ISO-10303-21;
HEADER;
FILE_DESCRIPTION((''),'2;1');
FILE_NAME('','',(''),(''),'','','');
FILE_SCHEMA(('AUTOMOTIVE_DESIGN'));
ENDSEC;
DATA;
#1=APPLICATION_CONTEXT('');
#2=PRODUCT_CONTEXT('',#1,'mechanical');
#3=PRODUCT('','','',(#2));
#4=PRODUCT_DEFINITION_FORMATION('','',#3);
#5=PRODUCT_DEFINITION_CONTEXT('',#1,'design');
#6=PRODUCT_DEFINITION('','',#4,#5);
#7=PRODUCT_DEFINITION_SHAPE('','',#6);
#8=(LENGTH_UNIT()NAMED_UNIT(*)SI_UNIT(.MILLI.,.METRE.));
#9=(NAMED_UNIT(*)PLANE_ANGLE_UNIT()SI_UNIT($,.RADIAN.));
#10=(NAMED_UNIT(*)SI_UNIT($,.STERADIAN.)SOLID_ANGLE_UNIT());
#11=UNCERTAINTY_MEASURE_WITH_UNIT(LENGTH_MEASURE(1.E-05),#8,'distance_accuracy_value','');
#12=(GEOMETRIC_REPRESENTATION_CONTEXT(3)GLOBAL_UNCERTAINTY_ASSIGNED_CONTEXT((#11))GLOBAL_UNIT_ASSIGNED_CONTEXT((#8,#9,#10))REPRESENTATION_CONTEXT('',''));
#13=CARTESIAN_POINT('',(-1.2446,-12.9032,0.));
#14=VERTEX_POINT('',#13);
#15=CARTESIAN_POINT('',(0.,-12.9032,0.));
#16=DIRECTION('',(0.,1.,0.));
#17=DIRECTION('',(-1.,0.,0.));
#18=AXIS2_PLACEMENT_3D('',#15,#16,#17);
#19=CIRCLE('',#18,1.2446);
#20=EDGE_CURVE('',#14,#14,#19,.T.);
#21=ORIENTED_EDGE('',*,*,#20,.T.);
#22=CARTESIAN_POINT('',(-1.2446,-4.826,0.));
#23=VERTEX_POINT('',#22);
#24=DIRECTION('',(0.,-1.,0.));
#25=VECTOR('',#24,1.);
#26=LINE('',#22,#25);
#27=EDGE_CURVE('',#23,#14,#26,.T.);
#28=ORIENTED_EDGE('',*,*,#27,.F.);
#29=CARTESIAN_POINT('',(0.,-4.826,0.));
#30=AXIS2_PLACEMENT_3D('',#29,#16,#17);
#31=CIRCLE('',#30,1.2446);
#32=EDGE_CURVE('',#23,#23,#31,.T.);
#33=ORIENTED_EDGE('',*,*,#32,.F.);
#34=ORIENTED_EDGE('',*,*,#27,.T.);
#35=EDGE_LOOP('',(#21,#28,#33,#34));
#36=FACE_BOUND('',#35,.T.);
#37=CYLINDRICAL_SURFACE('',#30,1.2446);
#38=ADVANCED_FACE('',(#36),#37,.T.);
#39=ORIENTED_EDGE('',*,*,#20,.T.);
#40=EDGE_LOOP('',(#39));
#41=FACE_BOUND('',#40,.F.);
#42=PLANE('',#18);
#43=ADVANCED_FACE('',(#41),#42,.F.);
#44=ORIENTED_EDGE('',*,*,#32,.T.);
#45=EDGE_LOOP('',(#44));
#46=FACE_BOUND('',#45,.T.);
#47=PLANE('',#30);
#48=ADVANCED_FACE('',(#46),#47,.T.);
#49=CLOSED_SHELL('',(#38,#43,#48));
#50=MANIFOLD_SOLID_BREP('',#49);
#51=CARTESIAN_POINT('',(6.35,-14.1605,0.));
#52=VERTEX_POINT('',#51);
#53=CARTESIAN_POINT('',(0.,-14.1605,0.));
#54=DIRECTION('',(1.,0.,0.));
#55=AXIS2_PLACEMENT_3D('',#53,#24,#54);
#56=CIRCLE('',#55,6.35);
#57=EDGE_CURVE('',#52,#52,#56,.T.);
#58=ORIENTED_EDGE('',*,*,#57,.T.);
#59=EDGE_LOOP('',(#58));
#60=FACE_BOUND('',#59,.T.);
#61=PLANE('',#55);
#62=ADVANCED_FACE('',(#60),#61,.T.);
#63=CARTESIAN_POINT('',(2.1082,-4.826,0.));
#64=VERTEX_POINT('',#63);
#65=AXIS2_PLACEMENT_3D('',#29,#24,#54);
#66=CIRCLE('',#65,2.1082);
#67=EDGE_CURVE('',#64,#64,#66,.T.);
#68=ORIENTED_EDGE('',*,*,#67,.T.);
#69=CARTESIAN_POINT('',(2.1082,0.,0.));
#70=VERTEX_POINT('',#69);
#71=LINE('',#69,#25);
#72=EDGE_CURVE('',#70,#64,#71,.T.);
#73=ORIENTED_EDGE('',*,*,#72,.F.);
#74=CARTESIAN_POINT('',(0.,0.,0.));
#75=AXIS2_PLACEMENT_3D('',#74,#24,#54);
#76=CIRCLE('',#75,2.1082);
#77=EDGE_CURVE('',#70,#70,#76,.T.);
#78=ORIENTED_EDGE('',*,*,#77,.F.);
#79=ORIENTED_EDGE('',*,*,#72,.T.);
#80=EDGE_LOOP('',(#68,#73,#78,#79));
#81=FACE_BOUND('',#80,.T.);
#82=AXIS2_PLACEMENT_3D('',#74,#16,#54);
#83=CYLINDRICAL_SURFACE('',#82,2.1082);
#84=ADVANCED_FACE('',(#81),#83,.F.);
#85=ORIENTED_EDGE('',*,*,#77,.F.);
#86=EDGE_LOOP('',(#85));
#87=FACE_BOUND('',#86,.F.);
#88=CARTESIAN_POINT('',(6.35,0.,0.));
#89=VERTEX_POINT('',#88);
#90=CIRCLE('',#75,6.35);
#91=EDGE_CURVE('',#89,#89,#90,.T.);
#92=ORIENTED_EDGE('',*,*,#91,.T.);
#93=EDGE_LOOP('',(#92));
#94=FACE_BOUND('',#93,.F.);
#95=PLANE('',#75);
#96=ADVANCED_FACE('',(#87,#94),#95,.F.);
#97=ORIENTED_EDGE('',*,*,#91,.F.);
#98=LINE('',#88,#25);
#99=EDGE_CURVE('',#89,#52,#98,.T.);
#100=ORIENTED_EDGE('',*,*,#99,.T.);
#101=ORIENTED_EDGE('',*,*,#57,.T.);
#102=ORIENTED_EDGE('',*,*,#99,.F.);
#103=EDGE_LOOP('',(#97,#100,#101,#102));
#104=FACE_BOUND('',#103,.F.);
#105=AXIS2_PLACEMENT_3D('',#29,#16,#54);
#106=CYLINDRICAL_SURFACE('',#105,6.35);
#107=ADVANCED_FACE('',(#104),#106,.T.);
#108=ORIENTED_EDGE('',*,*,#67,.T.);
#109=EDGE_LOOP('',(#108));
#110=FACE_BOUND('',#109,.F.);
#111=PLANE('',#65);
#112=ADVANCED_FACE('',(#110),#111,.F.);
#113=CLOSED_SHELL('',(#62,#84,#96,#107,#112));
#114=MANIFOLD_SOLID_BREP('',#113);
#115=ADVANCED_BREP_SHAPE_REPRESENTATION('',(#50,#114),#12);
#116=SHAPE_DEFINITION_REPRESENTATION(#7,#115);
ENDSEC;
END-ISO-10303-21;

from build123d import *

# Parameters (mm, degrees)
F0_R     = 6.35
F0_R_2   = 2.1082
F1_DEPTH = 4.826
F2_R     = 6.35
F3_DEPTH = 9.3345
F4_R     = 1.2446
F5_DEPTH = 8.0772


with BuildPart() as f1:
    # F0 (on Front) → F1 (new body)
    with BuildSketch(Plane.XZ):
        Circle(F0_R)
        Circle(F0_R_2, mode=Mode.SUBTRACT)
    extrude(amount=F1_DEPTH)

    # F2 (on face) → F3 (join)
    with BuildSketch(Plane.XZ.offset(4.826)):
        Circle(F2_R)
    extrude(amount=F3_DEPTH)


with BuildPart() as f5:
    # F4 (on face) → F5 (new body)
    with BuildSketch(Plane(origin=(0, -4.826, 0), x_dir=(-1, 0, 0), z_dir=(0, 1, 0))):
        Circle(F4_R)
    extrude(amount=-F5_DEPTH)


solid = Compound([f1.part, f5.part])
